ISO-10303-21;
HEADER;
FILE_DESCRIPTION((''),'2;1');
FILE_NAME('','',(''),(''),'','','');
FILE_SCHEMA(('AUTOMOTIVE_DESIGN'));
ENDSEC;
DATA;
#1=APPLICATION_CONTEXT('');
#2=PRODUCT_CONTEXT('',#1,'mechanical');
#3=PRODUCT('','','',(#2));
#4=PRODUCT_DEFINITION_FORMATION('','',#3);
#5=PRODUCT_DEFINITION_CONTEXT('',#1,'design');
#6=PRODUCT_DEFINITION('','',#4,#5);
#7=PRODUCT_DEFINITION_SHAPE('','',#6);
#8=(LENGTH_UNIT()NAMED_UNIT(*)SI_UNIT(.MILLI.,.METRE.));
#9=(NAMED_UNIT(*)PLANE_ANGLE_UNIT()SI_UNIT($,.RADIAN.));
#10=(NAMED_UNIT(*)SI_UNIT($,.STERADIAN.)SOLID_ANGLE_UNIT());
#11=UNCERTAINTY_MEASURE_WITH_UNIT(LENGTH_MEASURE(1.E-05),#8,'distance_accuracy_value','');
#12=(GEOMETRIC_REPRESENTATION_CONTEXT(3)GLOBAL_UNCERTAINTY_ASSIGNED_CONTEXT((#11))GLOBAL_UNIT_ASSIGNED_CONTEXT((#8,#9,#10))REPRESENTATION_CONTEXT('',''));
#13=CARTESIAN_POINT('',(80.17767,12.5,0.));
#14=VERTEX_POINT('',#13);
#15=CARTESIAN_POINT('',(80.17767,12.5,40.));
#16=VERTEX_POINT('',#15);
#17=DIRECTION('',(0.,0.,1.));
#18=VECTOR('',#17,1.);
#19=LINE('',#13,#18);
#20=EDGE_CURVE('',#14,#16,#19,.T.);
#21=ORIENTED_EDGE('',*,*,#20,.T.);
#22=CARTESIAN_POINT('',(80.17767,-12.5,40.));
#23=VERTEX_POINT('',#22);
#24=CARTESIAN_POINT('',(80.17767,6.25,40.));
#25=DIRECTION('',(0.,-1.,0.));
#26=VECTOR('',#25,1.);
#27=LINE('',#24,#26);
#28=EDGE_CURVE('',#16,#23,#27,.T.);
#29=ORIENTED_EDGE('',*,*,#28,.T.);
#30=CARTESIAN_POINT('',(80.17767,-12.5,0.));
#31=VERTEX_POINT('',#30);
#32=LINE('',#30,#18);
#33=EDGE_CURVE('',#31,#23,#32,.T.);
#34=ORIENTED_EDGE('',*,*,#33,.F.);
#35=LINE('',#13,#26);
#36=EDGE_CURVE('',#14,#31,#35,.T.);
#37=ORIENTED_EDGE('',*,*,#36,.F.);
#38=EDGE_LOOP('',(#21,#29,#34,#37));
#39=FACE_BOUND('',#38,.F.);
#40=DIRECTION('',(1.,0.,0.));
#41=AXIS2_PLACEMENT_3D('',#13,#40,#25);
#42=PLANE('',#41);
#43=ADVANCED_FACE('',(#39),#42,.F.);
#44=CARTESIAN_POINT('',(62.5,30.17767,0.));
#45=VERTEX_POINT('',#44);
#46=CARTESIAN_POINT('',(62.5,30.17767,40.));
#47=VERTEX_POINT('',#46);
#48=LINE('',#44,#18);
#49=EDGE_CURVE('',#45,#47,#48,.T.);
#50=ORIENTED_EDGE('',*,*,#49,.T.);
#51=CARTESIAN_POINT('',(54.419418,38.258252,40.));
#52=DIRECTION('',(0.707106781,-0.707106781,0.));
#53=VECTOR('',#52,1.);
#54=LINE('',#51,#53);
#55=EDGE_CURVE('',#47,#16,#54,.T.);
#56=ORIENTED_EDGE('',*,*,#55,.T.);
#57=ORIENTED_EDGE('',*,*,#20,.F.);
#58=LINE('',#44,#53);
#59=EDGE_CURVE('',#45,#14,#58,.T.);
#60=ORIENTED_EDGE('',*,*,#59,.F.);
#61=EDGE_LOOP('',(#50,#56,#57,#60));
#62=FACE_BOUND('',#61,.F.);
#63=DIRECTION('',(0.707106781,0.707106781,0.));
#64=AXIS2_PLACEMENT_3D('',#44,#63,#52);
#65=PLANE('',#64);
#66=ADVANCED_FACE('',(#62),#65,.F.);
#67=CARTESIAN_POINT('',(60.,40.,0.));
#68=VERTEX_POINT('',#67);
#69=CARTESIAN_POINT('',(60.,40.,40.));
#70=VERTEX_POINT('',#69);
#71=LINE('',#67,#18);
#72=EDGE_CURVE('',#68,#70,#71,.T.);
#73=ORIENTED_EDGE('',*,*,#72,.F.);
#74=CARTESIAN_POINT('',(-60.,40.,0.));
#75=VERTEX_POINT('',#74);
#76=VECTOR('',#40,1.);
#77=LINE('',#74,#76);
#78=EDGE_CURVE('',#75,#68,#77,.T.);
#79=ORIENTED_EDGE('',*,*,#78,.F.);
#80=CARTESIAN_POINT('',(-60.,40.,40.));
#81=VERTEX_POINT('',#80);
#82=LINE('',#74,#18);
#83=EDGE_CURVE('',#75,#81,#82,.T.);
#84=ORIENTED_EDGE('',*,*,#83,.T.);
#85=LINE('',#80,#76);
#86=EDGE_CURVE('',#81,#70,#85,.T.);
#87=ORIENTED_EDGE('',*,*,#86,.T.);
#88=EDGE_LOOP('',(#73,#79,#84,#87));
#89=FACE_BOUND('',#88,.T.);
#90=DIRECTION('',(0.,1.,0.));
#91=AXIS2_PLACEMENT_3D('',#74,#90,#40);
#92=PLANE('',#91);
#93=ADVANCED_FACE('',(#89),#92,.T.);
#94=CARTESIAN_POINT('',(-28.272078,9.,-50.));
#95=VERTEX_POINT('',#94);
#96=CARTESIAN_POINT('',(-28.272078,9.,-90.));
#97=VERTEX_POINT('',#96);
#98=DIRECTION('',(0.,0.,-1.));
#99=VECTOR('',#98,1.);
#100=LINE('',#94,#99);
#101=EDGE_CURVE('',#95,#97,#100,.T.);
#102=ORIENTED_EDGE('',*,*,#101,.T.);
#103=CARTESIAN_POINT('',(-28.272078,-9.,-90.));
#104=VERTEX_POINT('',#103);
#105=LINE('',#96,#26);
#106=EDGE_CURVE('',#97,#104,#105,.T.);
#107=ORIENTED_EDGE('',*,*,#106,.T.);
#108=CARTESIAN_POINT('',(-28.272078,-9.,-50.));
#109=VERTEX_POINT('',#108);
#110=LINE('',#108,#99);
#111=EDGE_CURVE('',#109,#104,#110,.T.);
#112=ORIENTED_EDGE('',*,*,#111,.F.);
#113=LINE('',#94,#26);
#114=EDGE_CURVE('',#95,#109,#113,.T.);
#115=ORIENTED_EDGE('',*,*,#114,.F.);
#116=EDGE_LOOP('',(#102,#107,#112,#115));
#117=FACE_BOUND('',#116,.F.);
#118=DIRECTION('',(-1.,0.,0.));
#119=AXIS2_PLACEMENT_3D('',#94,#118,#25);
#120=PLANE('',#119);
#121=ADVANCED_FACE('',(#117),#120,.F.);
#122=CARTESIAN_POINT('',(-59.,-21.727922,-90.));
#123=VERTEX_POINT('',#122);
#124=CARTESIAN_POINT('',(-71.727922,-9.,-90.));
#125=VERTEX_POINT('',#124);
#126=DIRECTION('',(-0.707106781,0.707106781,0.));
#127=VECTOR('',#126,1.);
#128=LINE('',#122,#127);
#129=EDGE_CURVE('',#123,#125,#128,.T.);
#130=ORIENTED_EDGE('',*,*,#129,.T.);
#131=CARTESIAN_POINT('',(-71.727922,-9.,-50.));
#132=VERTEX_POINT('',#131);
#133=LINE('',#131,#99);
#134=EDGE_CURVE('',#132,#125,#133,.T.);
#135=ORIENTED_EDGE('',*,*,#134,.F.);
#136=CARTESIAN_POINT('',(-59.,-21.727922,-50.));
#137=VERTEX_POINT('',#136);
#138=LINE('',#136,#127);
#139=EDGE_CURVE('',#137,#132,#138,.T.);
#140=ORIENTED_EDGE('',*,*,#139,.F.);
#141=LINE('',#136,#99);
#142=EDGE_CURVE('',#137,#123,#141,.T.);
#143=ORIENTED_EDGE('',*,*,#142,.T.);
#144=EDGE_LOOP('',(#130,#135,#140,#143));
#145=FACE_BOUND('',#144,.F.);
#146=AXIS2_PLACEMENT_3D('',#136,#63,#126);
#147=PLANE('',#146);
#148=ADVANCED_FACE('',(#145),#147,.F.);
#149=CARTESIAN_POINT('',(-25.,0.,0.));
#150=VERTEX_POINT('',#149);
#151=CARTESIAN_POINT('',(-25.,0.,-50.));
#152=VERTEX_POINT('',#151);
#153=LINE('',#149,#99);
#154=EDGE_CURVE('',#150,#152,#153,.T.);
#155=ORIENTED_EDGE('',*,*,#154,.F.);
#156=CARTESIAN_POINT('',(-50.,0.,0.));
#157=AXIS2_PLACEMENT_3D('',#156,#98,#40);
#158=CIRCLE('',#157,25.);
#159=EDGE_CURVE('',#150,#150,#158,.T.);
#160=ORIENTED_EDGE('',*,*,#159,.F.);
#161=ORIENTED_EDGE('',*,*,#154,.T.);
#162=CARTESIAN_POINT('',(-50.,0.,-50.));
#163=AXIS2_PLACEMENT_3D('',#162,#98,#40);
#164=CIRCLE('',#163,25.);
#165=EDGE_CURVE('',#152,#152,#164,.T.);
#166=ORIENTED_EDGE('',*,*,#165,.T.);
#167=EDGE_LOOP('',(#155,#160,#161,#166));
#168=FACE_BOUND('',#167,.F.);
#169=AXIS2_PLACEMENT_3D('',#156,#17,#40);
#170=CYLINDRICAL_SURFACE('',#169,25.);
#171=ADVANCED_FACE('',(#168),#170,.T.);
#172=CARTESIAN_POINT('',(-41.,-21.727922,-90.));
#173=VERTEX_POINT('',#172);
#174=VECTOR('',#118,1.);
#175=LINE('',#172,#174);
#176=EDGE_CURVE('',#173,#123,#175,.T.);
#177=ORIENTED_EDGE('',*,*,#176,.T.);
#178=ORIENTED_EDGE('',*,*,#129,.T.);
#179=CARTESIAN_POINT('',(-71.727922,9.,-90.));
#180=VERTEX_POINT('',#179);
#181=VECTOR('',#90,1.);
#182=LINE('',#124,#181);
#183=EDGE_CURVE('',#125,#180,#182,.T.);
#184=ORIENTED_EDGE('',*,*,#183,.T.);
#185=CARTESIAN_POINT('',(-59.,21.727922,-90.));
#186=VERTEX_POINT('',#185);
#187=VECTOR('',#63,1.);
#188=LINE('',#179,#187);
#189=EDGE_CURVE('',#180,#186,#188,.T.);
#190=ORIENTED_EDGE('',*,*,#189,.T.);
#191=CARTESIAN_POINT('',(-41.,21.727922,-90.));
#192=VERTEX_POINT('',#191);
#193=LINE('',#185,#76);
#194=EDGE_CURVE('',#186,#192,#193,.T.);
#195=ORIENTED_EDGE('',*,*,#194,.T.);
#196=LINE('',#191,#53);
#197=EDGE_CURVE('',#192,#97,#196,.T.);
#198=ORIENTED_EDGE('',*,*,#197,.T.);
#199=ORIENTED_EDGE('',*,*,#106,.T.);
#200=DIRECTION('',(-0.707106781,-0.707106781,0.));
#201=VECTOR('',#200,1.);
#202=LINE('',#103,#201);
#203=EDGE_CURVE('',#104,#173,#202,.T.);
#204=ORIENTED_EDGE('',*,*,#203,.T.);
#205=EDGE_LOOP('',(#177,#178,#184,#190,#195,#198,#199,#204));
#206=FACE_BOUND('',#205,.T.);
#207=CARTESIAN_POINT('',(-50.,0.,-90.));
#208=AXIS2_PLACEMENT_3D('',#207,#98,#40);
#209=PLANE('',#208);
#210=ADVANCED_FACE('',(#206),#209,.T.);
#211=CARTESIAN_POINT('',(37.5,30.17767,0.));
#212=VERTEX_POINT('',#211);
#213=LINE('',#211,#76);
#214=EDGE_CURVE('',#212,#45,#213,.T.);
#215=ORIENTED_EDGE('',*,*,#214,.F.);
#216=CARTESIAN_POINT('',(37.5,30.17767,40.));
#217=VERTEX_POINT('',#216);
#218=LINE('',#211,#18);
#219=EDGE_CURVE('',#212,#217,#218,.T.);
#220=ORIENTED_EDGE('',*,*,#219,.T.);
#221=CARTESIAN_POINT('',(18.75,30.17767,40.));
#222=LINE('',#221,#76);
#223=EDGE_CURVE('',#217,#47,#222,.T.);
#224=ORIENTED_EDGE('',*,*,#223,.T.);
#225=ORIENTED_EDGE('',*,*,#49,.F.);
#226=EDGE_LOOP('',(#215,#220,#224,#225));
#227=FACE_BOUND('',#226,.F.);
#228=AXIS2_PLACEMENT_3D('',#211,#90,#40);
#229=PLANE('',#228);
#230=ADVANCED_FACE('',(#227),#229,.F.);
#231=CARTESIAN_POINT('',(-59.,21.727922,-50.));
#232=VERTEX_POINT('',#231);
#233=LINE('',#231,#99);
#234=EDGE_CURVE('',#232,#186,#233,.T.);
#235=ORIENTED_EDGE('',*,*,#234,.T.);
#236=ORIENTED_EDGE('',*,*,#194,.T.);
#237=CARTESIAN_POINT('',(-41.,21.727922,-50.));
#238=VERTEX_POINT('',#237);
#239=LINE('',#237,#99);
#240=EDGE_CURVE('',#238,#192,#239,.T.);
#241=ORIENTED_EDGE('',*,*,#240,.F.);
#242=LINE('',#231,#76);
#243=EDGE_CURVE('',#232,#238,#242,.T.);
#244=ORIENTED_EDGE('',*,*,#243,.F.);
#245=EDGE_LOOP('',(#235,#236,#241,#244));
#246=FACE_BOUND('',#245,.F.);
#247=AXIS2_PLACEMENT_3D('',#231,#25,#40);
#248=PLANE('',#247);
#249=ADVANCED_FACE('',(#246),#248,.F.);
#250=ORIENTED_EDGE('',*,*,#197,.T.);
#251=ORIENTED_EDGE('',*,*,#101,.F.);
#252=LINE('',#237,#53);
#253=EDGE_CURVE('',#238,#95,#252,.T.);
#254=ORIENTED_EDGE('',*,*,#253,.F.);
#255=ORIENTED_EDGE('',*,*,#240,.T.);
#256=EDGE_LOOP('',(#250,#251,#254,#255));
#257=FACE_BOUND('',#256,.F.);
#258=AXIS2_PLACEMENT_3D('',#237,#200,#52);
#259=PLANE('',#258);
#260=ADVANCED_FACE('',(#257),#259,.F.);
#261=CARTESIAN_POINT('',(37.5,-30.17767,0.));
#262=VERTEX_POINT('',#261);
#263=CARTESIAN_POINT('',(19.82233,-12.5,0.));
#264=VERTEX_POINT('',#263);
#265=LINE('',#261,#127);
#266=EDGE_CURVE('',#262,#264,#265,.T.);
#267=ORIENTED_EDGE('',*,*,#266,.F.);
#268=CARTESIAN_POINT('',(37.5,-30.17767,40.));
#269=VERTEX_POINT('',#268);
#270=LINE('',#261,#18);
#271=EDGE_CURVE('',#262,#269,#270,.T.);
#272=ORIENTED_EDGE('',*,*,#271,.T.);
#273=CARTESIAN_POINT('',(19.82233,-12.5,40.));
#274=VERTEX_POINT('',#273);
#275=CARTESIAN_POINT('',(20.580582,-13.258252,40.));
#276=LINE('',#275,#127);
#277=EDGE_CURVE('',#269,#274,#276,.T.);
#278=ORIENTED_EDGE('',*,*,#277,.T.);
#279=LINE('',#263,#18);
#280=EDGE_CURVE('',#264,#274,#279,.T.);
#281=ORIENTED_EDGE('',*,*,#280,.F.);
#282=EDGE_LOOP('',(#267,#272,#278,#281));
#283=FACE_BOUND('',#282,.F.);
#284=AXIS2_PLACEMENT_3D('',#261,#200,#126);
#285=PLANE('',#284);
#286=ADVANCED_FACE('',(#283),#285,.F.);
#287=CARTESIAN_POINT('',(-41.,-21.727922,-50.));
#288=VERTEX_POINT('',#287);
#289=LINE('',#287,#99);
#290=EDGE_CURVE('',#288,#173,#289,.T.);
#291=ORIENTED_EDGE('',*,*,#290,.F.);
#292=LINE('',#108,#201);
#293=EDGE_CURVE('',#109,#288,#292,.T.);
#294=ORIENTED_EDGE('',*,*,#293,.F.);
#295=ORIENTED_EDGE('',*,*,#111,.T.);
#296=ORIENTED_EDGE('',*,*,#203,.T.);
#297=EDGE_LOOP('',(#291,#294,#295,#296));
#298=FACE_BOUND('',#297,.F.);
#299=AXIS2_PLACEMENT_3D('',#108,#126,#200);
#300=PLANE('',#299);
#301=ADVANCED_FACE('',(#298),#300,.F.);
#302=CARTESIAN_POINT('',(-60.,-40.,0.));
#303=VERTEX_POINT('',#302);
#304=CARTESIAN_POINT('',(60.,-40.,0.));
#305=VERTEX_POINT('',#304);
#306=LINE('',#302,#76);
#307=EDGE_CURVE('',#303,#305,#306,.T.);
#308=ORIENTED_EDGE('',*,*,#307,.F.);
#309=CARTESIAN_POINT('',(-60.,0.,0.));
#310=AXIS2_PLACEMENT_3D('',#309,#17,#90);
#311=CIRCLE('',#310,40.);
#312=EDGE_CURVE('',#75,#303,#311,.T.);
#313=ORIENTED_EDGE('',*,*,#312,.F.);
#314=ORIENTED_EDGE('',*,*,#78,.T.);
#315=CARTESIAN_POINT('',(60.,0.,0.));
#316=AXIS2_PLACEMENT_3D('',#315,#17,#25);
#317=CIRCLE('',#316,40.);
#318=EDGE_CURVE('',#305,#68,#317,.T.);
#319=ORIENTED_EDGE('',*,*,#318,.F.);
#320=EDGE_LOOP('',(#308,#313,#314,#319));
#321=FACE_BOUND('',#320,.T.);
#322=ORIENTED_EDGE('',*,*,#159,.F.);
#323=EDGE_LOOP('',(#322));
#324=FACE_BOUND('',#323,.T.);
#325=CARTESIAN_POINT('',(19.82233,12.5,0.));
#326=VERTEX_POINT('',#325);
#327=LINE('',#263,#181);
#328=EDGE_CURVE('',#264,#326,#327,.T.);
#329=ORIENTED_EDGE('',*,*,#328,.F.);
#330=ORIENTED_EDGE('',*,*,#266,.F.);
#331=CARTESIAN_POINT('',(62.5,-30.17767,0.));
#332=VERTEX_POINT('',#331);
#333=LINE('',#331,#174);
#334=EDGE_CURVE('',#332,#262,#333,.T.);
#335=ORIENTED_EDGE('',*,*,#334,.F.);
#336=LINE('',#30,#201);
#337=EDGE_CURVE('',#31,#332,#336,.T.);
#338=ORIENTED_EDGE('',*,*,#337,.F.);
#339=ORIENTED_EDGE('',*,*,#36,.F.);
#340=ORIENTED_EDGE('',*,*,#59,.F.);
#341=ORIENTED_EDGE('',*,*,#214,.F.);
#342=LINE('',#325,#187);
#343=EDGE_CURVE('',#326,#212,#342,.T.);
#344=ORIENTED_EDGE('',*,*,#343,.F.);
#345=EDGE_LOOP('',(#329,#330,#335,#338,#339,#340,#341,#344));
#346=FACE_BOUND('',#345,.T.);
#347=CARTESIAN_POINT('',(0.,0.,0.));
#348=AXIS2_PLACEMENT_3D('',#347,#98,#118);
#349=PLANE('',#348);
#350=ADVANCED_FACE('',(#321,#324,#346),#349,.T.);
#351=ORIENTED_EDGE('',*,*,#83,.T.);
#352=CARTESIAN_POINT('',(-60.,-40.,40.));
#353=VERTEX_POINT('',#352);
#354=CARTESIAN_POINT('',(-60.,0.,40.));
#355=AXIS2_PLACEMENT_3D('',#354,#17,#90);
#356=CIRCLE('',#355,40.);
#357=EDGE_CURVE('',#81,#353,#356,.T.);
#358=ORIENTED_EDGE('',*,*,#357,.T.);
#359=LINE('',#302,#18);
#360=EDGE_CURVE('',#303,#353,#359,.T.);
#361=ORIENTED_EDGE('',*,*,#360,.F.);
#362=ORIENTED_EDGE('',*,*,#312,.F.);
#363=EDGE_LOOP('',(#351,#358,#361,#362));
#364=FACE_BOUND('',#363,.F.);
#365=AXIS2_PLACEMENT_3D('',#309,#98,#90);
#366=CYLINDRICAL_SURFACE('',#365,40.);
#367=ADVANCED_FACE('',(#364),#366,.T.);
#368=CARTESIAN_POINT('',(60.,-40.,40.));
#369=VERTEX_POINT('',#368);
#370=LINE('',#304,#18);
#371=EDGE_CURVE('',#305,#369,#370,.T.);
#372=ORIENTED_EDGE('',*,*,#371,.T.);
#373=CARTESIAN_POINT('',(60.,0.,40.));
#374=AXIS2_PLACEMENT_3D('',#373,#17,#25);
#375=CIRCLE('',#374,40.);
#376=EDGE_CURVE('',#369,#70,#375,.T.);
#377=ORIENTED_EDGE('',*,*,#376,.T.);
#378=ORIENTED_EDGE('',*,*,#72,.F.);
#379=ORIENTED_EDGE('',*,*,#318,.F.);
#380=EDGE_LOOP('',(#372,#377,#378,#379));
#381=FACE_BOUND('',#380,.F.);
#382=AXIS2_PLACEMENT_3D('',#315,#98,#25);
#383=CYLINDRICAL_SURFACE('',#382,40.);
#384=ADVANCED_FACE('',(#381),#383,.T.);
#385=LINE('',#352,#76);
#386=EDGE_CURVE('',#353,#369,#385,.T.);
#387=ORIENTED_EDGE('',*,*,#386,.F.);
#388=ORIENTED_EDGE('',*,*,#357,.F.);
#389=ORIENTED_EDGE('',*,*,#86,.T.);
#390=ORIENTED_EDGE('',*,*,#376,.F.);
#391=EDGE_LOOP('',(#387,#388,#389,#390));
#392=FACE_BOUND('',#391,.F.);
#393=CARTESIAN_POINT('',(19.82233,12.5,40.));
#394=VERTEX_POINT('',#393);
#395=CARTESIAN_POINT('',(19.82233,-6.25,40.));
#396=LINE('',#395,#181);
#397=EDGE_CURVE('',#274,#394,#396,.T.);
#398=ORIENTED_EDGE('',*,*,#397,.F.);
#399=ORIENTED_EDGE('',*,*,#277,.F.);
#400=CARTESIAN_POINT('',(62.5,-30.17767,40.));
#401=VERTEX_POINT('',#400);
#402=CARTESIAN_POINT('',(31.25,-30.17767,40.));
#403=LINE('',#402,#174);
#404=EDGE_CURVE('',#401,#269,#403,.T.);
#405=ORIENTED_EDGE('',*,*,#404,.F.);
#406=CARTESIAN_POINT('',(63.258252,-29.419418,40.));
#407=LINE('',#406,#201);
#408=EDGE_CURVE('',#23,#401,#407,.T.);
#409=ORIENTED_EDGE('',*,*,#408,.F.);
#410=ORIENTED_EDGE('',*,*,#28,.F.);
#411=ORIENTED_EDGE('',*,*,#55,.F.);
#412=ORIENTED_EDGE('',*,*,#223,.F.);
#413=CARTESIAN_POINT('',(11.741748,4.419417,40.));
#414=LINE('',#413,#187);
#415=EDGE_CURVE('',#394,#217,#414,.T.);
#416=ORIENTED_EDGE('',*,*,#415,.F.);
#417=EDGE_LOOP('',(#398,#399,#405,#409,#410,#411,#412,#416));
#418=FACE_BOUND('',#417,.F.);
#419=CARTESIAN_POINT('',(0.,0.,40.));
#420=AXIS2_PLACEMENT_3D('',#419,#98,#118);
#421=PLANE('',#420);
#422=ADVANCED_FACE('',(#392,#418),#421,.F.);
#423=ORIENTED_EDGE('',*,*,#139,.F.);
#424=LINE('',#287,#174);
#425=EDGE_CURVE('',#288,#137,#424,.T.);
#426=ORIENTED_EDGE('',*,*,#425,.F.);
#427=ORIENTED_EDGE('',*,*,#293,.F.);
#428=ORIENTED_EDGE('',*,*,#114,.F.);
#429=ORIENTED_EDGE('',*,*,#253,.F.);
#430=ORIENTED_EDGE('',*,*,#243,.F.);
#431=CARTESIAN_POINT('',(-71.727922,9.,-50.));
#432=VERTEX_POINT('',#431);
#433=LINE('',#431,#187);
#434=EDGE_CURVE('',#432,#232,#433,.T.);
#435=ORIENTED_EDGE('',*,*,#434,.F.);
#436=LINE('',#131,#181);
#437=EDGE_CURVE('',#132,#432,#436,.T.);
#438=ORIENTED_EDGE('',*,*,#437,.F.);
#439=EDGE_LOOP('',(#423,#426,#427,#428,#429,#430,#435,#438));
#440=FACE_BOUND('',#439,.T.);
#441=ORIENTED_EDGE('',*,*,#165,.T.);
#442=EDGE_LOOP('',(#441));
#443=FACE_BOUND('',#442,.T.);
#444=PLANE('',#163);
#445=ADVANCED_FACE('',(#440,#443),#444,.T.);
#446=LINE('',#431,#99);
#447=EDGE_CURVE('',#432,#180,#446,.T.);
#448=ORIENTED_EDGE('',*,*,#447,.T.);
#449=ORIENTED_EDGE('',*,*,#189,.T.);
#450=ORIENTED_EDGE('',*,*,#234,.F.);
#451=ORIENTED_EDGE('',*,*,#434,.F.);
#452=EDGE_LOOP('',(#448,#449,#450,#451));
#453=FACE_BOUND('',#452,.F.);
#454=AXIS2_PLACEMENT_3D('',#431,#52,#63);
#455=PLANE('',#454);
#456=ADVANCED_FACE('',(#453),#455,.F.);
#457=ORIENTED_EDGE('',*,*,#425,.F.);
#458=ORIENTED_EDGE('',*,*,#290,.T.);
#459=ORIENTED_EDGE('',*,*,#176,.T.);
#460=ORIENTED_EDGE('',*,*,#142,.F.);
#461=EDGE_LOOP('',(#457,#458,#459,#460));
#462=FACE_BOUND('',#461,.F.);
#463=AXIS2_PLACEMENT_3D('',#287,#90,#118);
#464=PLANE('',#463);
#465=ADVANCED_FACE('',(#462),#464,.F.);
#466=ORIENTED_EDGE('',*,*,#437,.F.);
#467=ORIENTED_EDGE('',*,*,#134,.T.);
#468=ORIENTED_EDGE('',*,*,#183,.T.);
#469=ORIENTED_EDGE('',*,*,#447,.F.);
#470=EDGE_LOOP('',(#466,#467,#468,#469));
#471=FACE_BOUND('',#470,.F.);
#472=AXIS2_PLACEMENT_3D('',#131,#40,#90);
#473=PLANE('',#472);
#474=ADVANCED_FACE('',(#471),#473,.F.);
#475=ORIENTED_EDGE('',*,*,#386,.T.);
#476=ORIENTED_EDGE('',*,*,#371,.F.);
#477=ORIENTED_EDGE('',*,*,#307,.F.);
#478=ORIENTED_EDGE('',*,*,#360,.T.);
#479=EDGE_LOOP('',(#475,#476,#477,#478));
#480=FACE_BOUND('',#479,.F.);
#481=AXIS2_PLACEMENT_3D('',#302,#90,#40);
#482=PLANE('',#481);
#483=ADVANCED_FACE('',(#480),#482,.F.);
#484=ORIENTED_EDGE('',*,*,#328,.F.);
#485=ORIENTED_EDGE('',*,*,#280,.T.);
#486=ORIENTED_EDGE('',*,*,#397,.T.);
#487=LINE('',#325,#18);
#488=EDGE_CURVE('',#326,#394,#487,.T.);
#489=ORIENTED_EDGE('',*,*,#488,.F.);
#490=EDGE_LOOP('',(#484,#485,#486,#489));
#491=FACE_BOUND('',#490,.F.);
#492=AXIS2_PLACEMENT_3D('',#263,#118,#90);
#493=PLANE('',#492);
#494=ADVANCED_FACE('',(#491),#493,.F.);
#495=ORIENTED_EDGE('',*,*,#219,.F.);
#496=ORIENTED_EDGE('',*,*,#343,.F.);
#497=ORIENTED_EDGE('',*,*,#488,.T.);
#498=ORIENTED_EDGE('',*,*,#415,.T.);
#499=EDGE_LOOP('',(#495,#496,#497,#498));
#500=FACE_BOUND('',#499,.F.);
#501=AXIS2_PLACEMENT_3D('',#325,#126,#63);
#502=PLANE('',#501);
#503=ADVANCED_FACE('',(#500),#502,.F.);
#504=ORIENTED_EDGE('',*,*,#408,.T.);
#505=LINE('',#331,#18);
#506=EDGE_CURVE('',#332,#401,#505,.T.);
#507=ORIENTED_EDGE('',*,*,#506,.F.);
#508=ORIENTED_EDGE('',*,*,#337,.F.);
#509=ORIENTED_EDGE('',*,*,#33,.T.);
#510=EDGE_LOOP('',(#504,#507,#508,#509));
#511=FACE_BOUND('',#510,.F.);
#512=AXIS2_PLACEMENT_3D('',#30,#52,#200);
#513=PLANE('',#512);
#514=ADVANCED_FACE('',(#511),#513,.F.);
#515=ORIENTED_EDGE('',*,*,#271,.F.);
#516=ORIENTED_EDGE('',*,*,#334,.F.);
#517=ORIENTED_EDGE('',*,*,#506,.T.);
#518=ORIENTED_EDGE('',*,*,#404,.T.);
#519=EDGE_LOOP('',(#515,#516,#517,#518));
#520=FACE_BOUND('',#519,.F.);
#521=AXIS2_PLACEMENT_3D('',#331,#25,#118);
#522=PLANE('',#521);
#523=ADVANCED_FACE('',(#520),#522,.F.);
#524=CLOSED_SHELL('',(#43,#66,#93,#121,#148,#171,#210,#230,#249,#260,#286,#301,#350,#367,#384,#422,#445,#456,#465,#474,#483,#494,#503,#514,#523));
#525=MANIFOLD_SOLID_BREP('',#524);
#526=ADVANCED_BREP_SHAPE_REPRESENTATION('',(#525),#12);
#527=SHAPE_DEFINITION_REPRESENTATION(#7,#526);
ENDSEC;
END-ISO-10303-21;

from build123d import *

# Parameters (mm, degrees)
PAD_DEPTH    = 40
POCKET_DEPTH = 100
SKETCH002_R  = 25
PAD001_DEPTH = 50
PAD002_DEPTH = 40


with BuildPart() as part:
    # Sketch → Pad (new body)
    with BuildSketch(Plane.XY):
        with BuildLine():
            Line((-60, 40), (60, 40))
            ThreePointArc((60, -40), (100, 0), (60, 40))
            Line((-60, -40), (60, -40))
            ThreePointArc((-60, 40), (-100, 0), (-60, -40))
        make_face()
    extrude(amount=PAD_DEPTH)

    # Sketch001 → Pocket (cut)
    with BuildSketch(Plane(origin=(0, 0, 0), x_dir=(1, 0, 0), z_dir=(0, 0, -1))):
        Polygon((62.5, -30.17767), (80.17767, -12.5), (80.17767, 12.5), (62.5, 30.17767), (37.5, 30.17767), (19.82233, 12.5), (19.82233, -12.5), (37.5, -30.17767), align=None)
    extrude(amount=-POCKET_DEPTH, mode=Mode.SUBTRACT)

    # Sketch002 → Pad001 (join)
    with BuildSketch(Plane(origin=(0, 0, 0), x_dir=(1, 0, 0), z_dir=(0, 0, -1))):
        with Locations((-50, 0)):
            Circle(SKETCH002_R)
    extrude(amount=PAD001_DEPTH)

    # Sketch003 → Pad002 (join)
    with BuildSketch(Plane(origin=(0, 0, -50), x_dir=(1, 0, 0), z_dir=(0, 0, -1))):
        Polygon((-41, -21.727922), (-28.272078, -9), (-28.272078, 9), (-41, 21.727922), (-59, 21.727922), (-71.727922, 9), (-71.727922, -9), (-59, -21.727922), align=None)
    extrude(amount=PAD002_DEPTH)


solid = part.part
